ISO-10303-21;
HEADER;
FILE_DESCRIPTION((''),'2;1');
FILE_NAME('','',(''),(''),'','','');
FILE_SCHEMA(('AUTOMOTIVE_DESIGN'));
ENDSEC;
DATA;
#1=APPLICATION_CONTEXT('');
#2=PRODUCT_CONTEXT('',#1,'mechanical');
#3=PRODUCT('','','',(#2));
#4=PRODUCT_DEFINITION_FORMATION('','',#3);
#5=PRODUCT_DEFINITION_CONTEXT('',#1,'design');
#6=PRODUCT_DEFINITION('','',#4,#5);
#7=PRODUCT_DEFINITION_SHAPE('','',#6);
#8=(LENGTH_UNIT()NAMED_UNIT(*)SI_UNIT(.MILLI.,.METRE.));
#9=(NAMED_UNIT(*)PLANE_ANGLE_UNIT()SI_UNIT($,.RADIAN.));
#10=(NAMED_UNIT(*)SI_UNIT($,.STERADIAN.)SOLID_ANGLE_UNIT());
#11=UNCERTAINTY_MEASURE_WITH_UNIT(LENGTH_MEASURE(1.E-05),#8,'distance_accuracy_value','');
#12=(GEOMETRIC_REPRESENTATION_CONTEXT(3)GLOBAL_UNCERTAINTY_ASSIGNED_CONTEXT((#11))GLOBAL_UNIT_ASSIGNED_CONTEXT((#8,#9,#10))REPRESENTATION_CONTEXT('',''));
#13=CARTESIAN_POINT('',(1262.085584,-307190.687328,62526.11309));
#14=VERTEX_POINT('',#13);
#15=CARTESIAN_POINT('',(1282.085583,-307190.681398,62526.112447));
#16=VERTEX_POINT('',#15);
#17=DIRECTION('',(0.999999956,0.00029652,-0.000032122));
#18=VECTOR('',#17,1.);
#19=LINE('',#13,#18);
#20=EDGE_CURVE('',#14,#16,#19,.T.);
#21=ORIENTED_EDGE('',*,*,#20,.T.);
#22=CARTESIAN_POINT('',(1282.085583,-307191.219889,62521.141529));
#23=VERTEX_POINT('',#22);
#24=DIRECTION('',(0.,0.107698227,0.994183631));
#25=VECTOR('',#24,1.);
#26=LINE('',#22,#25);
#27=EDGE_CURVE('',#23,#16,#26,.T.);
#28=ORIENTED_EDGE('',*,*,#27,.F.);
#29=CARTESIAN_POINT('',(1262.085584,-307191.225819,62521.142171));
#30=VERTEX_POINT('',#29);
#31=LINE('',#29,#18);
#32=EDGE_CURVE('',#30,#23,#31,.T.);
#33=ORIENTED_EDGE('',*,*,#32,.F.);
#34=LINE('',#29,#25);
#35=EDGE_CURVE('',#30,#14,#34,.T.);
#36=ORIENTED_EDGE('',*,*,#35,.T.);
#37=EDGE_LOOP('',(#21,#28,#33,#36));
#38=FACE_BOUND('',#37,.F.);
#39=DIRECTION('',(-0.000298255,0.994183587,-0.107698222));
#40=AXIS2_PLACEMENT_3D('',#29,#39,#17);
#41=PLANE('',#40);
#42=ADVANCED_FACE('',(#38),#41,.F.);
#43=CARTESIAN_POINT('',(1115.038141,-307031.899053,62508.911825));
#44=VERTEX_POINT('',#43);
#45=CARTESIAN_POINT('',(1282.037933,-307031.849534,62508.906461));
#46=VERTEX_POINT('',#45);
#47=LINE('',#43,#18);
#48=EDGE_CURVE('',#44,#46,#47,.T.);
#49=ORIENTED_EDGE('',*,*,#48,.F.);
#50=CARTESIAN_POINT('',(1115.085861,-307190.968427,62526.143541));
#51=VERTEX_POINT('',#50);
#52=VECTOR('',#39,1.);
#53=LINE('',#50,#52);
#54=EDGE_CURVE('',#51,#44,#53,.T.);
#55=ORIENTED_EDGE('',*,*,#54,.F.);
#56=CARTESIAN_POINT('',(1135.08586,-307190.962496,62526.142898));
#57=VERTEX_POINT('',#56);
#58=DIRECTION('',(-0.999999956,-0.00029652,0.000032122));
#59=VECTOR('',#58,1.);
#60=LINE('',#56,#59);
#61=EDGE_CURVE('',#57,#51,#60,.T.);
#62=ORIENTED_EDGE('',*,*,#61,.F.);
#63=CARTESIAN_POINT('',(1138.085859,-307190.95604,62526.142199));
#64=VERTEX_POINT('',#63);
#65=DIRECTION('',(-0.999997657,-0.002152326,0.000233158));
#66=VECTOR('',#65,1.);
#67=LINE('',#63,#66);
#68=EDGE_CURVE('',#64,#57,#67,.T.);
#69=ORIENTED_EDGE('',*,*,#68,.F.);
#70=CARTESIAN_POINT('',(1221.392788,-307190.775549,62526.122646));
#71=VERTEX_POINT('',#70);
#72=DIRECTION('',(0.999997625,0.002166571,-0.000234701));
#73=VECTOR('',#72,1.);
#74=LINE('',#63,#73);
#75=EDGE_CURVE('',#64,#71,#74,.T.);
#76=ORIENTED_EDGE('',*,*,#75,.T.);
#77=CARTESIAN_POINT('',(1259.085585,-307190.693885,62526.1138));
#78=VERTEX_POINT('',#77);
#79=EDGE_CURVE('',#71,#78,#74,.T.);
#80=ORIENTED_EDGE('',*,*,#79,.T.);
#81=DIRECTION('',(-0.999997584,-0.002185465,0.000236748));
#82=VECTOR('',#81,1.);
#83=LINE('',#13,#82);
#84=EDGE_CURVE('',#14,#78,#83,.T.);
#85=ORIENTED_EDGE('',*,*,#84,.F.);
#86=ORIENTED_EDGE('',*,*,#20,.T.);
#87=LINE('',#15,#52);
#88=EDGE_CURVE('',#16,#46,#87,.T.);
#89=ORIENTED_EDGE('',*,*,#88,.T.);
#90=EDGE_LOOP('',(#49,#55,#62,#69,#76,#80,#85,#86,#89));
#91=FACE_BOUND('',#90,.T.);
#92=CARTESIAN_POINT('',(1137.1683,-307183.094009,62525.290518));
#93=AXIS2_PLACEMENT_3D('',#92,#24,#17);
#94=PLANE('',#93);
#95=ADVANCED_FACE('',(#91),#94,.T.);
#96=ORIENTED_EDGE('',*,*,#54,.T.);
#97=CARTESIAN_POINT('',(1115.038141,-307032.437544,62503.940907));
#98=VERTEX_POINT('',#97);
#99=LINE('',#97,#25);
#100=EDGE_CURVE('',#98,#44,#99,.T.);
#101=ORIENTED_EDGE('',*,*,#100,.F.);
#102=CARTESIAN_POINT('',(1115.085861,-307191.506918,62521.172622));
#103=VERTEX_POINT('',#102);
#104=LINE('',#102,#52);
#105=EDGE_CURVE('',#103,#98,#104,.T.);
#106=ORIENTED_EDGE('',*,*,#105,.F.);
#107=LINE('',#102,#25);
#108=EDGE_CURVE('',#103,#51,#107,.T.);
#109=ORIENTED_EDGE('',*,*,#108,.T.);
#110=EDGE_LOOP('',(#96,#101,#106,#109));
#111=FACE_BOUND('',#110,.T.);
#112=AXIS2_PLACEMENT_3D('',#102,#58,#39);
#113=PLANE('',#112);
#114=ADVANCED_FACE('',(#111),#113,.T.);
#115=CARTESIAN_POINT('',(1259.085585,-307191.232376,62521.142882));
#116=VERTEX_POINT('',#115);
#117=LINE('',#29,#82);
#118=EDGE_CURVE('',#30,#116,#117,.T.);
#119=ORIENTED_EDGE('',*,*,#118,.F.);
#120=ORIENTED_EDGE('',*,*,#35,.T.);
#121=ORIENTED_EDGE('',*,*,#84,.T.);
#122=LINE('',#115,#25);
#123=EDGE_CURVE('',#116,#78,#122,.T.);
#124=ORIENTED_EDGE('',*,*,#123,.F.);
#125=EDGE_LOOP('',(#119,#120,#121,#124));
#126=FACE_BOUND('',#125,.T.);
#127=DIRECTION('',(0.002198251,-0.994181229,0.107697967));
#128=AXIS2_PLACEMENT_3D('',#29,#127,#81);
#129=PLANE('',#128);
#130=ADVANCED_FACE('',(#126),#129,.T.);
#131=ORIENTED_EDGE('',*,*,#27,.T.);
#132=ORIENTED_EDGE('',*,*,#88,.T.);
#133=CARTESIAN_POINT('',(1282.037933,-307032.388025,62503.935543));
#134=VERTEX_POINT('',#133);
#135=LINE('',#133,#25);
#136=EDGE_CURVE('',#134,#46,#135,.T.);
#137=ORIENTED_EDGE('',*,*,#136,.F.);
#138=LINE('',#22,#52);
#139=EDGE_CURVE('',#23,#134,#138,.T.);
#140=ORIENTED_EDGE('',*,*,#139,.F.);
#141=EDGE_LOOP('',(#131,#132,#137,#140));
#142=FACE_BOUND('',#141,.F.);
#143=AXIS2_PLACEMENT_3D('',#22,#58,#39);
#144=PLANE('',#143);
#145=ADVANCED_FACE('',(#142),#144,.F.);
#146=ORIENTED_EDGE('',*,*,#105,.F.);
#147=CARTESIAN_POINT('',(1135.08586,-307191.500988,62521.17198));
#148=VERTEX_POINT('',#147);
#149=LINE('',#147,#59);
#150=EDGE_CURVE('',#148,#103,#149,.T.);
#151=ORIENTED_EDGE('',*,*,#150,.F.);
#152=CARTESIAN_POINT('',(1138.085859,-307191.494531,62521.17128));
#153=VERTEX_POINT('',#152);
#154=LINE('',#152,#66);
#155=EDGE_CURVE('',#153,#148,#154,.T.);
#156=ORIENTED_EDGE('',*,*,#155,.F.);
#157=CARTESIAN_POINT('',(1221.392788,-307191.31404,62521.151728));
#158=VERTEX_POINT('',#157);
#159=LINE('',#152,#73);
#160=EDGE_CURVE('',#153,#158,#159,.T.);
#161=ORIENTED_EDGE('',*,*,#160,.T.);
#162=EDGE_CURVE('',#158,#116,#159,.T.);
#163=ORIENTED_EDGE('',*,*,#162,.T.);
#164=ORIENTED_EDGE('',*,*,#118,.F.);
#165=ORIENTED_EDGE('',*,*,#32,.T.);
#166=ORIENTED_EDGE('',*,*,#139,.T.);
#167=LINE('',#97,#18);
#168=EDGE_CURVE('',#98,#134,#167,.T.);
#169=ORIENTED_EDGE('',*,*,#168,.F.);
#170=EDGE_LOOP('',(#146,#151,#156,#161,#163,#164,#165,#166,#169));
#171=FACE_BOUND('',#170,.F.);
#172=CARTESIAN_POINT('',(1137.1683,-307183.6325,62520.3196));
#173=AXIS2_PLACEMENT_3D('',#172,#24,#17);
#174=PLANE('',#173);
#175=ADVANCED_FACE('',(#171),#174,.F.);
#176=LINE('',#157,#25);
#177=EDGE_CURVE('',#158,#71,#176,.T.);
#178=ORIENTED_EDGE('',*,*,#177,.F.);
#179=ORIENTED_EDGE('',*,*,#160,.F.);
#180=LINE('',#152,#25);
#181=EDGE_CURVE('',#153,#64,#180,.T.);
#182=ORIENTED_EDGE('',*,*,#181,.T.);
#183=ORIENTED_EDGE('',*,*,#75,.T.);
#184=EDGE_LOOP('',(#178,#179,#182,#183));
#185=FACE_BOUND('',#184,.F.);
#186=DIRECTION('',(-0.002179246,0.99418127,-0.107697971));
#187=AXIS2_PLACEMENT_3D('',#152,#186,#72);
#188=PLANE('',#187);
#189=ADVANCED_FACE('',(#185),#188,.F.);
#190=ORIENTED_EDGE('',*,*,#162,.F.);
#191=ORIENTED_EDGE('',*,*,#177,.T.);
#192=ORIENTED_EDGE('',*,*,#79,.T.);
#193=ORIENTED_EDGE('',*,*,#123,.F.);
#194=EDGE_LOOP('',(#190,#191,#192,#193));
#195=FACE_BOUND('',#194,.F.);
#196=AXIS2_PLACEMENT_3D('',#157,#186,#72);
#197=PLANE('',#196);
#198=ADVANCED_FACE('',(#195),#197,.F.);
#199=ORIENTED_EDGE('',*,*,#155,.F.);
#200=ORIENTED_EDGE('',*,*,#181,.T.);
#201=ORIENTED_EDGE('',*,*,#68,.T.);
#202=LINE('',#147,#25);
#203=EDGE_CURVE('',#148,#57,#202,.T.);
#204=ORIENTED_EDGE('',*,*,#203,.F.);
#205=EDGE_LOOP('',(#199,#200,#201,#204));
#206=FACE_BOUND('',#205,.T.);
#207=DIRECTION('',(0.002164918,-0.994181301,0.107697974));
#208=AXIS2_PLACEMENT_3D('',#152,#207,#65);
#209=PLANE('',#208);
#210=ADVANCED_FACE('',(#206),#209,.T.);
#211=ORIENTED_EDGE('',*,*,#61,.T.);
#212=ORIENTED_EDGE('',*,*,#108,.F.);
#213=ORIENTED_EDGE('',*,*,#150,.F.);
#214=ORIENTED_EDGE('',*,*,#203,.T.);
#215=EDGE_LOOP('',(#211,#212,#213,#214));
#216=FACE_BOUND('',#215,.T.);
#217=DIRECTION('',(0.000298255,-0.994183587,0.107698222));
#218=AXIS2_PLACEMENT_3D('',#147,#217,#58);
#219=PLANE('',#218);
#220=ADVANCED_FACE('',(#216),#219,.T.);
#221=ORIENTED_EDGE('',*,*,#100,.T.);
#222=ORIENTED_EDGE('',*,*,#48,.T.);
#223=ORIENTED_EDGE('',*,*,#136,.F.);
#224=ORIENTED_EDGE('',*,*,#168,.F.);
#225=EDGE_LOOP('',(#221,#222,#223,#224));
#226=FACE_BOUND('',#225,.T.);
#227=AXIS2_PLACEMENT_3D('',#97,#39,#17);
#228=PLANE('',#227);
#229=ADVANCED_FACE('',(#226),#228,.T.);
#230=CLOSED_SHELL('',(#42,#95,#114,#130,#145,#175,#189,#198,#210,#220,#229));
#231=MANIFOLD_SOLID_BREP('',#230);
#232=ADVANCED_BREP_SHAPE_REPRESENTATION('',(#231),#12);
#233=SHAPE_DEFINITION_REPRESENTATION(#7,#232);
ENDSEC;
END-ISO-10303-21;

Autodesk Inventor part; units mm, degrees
ref_plane "YZ Plane" through (0, 0, 0) normal (1, 0, 0) x (0, 1, 0)
ref_plane "XZ Plane" through (0, 0, 0) normal (0, 1, 0) x (-1, 0, 0)
ref_plane "XY Plane" through (0, 0, 0) normal (0, 0, 1) x (1, 0, 0)
ref_plane "Work Plane1" through (1137.1683, -307183.6325, 62520.3196) normal (0, 0.1077, 0.9942) x (1, 0.0003, 0)
sketch "Sketch1" plane through (1137.1683, -307183.6325, 62520.3196) normal (0, 0.1077, 0.9942) x (1, 0.0003, 0)
  line L0 (0.9152, -7.9083) -> (121.915, -7.6807) projected
  line L1 (0.9152, -7.9083) -> (-2.0848, -7.9139) projected
  line L2 (124.915, -7.675) -> (121.915, -7.6807) projected
  line L3 (124.915, -7.7516) -> (-2.0848, -7.7516)
  line L4 (124.915, -7.675) -> (144.915, -7.675)
  line L5 (144.915, -7.675) -> (144.915, 152.0861)
  line L6 (-2.0848, -7.9139) -> (-22.0848, -7.9139)
  line L7 (-2.0848, -7.9139) -> (17.9152, -7.9139) construction
  line L8 (-22.0848, -7.9139) -> (-22.0848, 152.0861)
  line L9 (-22.0848, 152.0861) -> (144.915, 152.0861)
  point P0 (-1057.4924, 312130.6861)
  dimension "d5" = 20
  dimension "d8" = 20
  dimension "d9" = 180
  dimension "d10" = 160
  dimension "d11" = 90
  dimension "d12" = 166.9998
extrude "Extrusion1" add sketch "Sketch1" along normal blind 5
properties part number "Top Plate" material "Aluminum 6061"
